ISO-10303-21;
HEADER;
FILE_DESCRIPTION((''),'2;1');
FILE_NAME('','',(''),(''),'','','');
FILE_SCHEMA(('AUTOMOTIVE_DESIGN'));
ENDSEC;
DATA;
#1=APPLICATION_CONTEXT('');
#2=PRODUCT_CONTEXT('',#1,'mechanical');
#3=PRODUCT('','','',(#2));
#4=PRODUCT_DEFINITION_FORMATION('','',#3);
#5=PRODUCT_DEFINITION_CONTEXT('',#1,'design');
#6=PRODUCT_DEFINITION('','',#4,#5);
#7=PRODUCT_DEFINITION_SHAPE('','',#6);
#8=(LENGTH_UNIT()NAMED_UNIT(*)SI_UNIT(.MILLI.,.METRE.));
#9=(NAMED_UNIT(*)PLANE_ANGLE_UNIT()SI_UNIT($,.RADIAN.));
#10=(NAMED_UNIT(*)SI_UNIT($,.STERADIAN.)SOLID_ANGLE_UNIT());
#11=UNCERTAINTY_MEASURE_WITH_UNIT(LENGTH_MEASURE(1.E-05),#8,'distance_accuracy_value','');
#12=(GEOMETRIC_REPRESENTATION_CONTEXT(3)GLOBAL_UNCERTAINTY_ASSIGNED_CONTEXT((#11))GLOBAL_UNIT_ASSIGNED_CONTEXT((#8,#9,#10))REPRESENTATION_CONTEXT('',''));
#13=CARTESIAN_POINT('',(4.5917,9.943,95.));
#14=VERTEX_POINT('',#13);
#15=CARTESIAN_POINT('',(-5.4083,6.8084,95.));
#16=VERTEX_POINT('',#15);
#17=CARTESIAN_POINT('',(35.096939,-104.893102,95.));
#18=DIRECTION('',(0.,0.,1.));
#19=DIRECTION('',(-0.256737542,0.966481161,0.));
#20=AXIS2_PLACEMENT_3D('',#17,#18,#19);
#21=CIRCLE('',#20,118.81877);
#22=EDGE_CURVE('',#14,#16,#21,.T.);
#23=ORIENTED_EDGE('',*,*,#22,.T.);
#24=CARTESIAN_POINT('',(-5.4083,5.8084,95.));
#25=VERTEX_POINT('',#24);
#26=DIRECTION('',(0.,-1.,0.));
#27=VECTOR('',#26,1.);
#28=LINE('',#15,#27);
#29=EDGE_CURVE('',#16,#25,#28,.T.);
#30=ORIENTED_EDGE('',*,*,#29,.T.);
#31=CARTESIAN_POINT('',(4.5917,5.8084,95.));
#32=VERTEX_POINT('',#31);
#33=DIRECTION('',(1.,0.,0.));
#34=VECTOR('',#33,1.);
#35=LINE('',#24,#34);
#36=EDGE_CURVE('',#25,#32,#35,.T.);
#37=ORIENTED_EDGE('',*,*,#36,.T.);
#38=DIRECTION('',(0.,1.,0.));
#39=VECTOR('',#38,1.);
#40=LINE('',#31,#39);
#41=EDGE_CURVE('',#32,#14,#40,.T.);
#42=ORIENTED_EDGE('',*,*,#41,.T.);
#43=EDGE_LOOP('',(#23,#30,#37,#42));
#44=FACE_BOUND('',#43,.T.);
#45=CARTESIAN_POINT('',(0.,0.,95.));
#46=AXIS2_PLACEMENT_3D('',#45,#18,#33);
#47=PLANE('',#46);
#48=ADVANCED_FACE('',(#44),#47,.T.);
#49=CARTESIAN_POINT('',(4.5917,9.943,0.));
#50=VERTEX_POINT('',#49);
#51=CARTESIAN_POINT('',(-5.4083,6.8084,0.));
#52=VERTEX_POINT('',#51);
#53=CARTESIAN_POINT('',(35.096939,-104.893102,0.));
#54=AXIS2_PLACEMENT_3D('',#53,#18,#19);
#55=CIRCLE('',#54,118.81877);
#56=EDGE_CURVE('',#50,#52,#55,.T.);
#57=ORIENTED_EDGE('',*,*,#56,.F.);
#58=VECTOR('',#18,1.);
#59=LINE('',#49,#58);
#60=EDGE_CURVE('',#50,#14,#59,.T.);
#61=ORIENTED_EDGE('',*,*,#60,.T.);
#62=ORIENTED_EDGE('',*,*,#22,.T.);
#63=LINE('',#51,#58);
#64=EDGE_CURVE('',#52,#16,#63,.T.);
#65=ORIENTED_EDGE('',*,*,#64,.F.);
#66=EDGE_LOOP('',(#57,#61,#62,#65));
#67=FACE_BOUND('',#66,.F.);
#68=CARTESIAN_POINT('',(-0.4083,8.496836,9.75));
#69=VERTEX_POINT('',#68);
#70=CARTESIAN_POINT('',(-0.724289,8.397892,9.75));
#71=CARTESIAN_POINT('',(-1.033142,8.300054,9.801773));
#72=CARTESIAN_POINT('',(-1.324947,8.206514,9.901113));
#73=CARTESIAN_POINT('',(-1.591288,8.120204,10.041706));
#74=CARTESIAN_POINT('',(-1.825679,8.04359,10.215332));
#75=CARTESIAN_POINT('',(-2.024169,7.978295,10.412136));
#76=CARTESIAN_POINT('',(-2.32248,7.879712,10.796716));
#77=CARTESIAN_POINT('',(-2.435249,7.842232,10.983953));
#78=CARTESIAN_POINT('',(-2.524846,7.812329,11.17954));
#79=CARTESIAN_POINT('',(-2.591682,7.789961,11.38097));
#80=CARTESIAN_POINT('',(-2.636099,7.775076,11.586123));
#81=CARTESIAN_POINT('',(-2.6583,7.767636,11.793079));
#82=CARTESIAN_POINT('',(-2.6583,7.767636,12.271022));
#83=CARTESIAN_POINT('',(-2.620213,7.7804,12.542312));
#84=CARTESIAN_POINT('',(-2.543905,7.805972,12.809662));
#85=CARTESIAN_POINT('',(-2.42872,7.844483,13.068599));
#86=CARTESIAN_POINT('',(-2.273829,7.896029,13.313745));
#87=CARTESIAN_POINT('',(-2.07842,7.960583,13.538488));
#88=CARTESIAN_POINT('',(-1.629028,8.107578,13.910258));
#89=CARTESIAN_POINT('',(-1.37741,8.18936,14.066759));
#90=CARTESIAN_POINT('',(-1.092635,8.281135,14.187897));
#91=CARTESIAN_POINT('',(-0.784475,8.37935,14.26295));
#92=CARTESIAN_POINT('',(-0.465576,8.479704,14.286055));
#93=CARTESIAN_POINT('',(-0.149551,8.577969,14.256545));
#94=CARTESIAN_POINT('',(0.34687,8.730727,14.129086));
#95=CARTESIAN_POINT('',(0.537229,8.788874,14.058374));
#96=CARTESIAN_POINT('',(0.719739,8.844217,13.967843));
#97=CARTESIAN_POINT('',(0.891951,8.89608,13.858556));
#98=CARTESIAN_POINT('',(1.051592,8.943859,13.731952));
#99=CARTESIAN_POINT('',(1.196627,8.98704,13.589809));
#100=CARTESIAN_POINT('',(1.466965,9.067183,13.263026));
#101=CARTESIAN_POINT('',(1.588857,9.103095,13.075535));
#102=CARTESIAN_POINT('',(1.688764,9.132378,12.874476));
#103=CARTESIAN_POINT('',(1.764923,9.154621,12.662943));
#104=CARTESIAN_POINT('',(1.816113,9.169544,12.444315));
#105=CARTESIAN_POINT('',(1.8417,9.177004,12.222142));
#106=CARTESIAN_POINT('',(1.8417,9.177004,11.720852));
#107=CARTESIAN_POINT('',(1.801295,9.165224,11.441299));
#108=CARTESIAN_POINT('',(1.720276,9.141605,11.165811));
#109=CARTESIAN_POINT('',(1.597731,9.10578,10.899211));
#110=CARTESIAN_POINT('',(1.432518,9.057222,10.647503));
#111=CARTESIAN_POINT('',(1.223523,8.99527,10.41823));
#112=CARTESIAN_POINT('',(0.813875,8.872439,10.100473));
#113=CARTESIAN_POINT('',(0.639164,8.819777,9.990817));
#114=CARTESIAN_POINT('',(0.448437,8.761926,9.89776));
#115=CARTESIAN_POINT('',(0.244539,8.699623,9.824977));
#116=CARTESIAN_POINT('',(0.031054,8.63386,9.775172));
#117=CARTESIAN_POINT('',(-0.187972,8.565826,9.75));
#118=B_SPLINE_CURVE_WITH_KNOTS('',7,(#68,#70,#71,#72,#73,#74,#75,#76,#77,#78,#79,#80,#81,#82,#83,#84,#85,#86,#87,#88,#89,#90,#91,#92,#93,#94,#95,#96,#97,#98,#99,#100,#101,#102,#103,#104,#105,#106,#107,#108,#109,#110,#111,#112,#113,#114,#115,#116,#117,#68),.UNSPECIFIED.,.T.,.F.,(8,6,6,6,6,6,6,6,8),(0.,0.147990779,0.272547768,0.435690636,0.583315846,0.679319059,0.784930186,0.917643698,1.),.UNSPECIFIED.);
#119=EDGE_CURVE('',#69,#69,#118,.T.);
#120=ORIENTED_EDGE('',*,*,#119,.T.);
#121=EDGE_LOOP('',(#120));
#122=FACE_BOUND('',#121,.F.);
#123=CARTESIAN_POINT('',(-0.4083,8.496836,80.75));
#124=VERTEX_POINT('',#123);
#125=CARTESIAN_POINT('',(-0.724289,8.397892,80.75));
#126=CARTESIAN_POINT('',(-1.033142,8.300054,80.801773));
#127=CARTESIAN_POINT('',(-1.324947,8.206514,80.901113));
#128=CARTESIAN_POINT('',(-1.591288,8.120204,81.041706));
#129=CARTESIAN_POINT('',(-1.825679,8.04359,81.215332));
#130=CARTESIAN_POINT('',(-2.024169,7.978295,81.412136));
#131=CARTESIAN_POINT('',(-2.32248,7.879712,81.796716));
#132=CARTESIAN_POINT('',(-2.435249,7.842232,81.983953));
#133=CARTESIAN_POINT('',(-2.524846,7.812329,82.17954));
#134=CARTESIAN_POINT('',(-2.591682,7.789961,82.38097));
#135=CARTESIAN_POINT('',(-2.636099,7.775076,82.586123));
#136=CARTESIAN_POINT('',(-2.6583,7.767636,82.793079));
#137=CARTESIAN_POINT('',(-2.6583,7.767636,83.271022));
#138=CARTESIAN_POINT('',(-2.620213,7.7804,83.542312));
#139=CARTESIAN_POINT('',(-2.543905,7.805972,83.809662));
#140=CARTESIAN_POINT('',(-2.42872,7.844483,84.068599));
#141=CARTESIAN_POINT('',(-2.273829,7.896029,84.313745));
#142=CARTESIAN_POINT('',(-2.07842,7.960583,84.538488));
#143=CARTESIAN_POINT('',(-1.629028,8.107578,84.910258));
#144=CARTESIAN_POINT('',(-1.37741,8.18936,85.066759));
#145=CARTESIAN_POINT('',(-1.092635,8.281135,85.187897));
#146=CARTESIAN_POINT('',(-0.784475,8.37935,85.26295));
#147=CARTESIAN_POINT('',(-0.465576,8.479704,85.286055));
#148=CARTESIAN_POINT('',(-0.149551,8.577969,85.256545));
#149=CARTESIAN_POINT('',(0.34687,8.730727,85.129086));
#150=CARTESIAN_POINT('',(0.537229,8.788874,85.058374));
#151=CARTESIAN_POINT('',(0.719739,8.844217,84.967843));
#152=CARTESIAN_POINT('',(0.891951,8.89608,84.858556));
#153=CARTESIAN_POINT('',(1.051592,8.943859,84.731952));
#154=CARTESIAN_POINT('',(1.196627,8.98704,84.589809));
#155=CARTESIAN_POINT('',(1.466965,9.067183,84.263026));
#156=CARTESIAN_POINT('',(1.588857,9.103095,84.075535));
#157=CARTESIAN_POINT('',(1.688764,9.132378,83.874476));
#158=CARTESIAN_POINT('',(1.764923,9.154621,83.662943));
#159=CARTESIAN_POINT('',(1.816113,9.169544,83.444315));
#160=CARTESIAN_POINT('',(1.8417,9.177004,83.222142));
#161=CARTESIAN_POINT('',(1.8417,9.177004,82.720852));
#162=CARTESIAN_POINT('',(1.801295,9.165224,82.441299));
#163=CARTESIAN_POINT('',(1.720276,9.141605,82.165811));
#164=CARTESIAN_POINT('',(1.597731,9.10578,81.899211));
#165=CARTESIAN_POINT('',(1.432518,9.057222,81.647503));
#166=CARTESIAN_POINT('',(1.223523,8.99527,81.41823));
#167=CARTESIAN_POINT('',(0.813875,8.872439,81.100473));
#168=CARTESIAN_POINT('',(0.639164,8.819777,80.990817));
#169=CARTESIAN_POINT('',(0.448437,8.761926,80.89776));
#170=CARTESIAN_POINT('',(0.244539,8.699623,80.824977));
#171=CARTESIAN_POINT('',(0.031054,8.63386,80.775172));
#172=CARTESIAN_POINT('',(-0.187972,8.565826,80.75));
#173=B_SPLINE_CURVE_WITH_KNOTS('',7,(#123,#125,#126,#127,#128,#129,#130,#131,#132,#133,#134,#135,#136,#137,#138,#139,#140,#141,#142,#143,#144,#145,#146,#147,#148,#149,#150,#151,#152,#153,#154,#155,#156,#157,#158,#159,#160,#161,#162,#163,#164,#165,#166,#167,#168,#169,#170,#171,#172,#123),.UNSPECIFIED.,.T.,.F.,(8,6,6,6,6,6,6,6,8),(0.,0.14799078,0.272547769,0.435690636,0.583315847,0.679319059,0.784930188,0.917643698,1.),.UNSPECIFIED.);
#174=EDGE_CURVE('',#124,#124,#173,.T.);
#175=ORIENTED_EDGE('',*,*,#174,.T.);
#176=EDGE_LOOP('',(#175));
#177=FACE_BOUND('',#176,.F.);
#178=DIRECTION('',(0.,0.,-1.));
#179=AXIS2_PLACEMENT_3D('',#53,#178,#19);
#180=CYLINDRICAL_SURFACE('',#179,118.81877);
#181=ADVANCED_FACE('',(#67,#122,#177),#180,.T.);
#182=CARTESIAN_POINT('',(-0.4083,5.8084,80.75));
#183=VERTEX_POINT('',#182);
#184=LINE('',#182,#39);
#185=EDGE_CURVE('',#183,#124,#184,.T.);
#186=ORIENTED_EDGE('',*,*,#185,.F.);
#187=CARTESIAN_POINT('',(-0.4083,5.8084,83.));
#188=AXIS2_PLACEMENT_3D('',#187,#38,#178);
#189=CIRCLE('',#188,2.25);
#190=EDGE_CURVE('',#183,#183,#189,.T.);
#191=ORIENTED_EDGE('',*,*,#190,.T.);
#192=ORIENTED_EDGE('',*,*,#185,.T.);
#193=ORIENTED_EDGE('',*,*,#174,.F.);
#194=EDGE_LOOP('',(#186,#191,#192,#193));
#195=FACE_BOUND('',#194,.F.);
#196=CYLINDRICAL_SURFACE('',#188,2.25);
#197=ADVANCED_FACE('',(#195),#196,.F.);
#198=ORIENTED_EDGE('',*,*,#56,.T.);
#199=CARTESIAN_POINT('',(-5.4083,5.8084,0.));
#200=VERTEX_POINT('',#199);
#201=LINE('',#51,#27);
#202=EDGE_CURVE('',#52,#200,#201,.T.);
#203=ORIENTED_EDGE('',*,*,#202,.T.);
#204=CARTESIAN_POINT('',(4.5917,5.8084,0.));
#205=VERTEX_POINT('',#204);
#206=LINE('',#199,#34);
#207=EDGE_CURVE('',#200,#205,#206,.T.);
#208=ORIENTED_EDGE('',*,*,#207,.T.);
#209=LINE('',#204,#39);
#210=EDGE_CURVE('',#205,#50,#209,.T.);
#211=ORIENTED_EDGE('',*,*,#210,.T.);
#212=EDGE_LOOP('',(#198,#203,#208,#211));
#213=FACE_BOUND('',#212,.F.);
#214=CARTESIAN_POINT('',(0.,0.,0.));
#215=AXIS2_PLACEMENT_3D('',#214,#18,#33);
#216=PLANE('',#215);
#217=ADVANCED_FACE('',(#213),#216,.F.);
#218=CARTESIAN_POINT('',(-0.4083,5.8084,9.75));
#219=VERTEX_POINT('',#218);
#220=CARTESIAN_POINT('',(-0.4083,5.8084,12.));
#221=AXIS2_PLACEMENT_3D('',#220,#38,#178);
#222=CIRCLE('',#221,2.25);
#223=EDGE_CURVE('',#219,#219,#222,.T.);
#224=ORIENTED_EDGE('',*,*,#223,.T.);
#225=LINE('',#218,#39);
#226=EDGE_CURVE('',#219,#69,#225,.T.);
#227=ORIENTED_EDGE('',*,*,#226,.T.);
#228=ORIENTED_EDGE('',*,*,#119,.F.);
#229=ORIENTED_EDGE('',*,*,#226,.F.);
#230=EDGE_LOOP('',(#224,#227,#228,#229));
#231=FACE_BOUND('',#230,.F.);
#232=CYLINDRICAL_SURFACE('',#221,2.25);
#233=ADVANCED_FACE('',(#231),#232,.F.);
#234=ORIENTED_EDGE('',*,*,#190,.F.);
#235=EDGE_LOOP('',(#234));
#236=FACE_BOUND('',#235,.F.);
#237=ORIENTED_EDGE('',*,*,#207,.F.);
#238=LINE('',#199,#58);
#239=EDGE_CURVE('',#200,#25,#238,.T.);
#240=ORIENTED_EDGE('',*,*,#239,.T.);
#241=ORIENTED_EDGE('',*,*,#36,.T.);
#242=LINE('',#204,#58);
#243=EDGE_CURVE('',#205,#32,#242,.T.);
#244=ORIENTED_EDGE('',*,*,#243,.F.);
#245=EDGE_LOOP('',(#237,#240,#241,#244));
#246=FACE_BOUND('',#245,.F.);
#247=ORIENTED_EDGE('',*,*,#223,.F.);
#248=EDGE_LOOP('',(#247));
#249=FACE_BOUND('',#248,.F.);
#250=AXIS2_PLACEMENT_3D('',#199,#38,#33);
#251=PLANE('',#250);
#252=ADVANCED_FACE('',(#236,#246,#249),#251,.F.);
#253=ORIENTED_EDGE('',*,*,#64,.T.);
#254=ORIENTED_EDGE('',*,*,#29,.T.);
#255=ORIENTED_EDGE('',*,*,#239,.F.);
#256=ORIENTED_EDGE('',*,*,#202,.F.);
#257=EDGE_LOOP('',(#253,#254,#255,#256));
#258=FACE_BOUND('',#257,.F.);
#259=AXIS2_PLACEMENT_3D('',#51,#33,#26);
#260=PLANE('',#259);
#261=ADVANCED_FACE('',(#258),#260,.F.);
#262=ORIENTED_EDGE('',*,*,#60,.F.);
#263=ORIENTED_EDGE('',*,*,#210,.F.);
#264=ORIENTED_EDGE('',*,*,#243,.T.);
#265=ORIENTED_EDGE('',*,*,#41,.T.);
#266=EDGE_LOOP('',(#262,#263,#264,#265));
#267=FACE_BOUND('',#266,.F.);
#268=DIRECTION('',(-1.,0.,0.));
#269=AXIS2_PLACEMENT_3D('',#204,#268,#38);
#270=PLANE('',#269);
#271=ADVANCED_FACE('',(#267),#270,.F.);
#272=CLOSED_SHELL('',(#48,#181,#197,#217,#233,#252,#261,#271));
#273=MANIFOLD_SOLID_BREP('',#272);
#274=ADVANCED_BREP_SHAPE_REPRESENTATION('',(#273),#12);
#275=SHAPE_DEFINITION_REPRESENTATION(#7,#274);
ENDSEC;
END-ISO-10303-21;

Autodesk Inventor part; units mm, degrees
ref_plane "YZ Plane" through (0, 0, 0) normal (1, 0, 0) x (0, 1, 0)
ref_plane "XZ Plane" through (0, 0, 0) normal (0, 1, 0) x (-1, 0, 0)
ref_plane "XY Plane" through (0, 0, 0) normal (0, 0, 1) x (1, 0, 0)
sketch "Sketch1" plane through (0, 0, 0) normal (0, 0, 1) x (1, 0, 0)
  line L0 (-5.4083, 6.8084) -> (-5.4083, 5.8084)
  line L1 (-5.4083, 5.8084) -> (4.5917, 5.8084)
  line L2 (4.5917, 5.8084) -> (4.5917, 9.943)
  arc A0 (4.5917, 9.943) -> (-5.4083, 6.8084) centre (35.0917, -104.875) ccw
  dimension "d24" = 1
extrude "Extrusion1" add sketch "Sketch1" along normal blind 95
sketch "Sketch4" plane through (-5.4083, 5.8084, 0) normal (0, -1, 0) x (1, 0, 0)
  line L0 (0, 95) -> (10, 95) projected
  line L1 (0, 0) -> (0, 95) projected
  line L2 (0, 0) -> (10, 0) projected
  point P0 (5.4083, 0)
  point P1 (5, 12)
  point P2 (5, 83)
  dimension "d25" = 12
  dimension "d26" = 5
  dimension "d27" = 12
  dimension "d28" = 5
hole "Hole2" at (-0.4083, 5.8084, 12) at (-0.4083, 5.8084, 83) direction (0, 1, 0) diameter 4.5 depth 8 tip angle 118 clearance for "Countersunk Flat Head Screw ISO 2009/7046" size "M4" standard "ISO"
properties part number "podkladka2" material "Ogólne"
